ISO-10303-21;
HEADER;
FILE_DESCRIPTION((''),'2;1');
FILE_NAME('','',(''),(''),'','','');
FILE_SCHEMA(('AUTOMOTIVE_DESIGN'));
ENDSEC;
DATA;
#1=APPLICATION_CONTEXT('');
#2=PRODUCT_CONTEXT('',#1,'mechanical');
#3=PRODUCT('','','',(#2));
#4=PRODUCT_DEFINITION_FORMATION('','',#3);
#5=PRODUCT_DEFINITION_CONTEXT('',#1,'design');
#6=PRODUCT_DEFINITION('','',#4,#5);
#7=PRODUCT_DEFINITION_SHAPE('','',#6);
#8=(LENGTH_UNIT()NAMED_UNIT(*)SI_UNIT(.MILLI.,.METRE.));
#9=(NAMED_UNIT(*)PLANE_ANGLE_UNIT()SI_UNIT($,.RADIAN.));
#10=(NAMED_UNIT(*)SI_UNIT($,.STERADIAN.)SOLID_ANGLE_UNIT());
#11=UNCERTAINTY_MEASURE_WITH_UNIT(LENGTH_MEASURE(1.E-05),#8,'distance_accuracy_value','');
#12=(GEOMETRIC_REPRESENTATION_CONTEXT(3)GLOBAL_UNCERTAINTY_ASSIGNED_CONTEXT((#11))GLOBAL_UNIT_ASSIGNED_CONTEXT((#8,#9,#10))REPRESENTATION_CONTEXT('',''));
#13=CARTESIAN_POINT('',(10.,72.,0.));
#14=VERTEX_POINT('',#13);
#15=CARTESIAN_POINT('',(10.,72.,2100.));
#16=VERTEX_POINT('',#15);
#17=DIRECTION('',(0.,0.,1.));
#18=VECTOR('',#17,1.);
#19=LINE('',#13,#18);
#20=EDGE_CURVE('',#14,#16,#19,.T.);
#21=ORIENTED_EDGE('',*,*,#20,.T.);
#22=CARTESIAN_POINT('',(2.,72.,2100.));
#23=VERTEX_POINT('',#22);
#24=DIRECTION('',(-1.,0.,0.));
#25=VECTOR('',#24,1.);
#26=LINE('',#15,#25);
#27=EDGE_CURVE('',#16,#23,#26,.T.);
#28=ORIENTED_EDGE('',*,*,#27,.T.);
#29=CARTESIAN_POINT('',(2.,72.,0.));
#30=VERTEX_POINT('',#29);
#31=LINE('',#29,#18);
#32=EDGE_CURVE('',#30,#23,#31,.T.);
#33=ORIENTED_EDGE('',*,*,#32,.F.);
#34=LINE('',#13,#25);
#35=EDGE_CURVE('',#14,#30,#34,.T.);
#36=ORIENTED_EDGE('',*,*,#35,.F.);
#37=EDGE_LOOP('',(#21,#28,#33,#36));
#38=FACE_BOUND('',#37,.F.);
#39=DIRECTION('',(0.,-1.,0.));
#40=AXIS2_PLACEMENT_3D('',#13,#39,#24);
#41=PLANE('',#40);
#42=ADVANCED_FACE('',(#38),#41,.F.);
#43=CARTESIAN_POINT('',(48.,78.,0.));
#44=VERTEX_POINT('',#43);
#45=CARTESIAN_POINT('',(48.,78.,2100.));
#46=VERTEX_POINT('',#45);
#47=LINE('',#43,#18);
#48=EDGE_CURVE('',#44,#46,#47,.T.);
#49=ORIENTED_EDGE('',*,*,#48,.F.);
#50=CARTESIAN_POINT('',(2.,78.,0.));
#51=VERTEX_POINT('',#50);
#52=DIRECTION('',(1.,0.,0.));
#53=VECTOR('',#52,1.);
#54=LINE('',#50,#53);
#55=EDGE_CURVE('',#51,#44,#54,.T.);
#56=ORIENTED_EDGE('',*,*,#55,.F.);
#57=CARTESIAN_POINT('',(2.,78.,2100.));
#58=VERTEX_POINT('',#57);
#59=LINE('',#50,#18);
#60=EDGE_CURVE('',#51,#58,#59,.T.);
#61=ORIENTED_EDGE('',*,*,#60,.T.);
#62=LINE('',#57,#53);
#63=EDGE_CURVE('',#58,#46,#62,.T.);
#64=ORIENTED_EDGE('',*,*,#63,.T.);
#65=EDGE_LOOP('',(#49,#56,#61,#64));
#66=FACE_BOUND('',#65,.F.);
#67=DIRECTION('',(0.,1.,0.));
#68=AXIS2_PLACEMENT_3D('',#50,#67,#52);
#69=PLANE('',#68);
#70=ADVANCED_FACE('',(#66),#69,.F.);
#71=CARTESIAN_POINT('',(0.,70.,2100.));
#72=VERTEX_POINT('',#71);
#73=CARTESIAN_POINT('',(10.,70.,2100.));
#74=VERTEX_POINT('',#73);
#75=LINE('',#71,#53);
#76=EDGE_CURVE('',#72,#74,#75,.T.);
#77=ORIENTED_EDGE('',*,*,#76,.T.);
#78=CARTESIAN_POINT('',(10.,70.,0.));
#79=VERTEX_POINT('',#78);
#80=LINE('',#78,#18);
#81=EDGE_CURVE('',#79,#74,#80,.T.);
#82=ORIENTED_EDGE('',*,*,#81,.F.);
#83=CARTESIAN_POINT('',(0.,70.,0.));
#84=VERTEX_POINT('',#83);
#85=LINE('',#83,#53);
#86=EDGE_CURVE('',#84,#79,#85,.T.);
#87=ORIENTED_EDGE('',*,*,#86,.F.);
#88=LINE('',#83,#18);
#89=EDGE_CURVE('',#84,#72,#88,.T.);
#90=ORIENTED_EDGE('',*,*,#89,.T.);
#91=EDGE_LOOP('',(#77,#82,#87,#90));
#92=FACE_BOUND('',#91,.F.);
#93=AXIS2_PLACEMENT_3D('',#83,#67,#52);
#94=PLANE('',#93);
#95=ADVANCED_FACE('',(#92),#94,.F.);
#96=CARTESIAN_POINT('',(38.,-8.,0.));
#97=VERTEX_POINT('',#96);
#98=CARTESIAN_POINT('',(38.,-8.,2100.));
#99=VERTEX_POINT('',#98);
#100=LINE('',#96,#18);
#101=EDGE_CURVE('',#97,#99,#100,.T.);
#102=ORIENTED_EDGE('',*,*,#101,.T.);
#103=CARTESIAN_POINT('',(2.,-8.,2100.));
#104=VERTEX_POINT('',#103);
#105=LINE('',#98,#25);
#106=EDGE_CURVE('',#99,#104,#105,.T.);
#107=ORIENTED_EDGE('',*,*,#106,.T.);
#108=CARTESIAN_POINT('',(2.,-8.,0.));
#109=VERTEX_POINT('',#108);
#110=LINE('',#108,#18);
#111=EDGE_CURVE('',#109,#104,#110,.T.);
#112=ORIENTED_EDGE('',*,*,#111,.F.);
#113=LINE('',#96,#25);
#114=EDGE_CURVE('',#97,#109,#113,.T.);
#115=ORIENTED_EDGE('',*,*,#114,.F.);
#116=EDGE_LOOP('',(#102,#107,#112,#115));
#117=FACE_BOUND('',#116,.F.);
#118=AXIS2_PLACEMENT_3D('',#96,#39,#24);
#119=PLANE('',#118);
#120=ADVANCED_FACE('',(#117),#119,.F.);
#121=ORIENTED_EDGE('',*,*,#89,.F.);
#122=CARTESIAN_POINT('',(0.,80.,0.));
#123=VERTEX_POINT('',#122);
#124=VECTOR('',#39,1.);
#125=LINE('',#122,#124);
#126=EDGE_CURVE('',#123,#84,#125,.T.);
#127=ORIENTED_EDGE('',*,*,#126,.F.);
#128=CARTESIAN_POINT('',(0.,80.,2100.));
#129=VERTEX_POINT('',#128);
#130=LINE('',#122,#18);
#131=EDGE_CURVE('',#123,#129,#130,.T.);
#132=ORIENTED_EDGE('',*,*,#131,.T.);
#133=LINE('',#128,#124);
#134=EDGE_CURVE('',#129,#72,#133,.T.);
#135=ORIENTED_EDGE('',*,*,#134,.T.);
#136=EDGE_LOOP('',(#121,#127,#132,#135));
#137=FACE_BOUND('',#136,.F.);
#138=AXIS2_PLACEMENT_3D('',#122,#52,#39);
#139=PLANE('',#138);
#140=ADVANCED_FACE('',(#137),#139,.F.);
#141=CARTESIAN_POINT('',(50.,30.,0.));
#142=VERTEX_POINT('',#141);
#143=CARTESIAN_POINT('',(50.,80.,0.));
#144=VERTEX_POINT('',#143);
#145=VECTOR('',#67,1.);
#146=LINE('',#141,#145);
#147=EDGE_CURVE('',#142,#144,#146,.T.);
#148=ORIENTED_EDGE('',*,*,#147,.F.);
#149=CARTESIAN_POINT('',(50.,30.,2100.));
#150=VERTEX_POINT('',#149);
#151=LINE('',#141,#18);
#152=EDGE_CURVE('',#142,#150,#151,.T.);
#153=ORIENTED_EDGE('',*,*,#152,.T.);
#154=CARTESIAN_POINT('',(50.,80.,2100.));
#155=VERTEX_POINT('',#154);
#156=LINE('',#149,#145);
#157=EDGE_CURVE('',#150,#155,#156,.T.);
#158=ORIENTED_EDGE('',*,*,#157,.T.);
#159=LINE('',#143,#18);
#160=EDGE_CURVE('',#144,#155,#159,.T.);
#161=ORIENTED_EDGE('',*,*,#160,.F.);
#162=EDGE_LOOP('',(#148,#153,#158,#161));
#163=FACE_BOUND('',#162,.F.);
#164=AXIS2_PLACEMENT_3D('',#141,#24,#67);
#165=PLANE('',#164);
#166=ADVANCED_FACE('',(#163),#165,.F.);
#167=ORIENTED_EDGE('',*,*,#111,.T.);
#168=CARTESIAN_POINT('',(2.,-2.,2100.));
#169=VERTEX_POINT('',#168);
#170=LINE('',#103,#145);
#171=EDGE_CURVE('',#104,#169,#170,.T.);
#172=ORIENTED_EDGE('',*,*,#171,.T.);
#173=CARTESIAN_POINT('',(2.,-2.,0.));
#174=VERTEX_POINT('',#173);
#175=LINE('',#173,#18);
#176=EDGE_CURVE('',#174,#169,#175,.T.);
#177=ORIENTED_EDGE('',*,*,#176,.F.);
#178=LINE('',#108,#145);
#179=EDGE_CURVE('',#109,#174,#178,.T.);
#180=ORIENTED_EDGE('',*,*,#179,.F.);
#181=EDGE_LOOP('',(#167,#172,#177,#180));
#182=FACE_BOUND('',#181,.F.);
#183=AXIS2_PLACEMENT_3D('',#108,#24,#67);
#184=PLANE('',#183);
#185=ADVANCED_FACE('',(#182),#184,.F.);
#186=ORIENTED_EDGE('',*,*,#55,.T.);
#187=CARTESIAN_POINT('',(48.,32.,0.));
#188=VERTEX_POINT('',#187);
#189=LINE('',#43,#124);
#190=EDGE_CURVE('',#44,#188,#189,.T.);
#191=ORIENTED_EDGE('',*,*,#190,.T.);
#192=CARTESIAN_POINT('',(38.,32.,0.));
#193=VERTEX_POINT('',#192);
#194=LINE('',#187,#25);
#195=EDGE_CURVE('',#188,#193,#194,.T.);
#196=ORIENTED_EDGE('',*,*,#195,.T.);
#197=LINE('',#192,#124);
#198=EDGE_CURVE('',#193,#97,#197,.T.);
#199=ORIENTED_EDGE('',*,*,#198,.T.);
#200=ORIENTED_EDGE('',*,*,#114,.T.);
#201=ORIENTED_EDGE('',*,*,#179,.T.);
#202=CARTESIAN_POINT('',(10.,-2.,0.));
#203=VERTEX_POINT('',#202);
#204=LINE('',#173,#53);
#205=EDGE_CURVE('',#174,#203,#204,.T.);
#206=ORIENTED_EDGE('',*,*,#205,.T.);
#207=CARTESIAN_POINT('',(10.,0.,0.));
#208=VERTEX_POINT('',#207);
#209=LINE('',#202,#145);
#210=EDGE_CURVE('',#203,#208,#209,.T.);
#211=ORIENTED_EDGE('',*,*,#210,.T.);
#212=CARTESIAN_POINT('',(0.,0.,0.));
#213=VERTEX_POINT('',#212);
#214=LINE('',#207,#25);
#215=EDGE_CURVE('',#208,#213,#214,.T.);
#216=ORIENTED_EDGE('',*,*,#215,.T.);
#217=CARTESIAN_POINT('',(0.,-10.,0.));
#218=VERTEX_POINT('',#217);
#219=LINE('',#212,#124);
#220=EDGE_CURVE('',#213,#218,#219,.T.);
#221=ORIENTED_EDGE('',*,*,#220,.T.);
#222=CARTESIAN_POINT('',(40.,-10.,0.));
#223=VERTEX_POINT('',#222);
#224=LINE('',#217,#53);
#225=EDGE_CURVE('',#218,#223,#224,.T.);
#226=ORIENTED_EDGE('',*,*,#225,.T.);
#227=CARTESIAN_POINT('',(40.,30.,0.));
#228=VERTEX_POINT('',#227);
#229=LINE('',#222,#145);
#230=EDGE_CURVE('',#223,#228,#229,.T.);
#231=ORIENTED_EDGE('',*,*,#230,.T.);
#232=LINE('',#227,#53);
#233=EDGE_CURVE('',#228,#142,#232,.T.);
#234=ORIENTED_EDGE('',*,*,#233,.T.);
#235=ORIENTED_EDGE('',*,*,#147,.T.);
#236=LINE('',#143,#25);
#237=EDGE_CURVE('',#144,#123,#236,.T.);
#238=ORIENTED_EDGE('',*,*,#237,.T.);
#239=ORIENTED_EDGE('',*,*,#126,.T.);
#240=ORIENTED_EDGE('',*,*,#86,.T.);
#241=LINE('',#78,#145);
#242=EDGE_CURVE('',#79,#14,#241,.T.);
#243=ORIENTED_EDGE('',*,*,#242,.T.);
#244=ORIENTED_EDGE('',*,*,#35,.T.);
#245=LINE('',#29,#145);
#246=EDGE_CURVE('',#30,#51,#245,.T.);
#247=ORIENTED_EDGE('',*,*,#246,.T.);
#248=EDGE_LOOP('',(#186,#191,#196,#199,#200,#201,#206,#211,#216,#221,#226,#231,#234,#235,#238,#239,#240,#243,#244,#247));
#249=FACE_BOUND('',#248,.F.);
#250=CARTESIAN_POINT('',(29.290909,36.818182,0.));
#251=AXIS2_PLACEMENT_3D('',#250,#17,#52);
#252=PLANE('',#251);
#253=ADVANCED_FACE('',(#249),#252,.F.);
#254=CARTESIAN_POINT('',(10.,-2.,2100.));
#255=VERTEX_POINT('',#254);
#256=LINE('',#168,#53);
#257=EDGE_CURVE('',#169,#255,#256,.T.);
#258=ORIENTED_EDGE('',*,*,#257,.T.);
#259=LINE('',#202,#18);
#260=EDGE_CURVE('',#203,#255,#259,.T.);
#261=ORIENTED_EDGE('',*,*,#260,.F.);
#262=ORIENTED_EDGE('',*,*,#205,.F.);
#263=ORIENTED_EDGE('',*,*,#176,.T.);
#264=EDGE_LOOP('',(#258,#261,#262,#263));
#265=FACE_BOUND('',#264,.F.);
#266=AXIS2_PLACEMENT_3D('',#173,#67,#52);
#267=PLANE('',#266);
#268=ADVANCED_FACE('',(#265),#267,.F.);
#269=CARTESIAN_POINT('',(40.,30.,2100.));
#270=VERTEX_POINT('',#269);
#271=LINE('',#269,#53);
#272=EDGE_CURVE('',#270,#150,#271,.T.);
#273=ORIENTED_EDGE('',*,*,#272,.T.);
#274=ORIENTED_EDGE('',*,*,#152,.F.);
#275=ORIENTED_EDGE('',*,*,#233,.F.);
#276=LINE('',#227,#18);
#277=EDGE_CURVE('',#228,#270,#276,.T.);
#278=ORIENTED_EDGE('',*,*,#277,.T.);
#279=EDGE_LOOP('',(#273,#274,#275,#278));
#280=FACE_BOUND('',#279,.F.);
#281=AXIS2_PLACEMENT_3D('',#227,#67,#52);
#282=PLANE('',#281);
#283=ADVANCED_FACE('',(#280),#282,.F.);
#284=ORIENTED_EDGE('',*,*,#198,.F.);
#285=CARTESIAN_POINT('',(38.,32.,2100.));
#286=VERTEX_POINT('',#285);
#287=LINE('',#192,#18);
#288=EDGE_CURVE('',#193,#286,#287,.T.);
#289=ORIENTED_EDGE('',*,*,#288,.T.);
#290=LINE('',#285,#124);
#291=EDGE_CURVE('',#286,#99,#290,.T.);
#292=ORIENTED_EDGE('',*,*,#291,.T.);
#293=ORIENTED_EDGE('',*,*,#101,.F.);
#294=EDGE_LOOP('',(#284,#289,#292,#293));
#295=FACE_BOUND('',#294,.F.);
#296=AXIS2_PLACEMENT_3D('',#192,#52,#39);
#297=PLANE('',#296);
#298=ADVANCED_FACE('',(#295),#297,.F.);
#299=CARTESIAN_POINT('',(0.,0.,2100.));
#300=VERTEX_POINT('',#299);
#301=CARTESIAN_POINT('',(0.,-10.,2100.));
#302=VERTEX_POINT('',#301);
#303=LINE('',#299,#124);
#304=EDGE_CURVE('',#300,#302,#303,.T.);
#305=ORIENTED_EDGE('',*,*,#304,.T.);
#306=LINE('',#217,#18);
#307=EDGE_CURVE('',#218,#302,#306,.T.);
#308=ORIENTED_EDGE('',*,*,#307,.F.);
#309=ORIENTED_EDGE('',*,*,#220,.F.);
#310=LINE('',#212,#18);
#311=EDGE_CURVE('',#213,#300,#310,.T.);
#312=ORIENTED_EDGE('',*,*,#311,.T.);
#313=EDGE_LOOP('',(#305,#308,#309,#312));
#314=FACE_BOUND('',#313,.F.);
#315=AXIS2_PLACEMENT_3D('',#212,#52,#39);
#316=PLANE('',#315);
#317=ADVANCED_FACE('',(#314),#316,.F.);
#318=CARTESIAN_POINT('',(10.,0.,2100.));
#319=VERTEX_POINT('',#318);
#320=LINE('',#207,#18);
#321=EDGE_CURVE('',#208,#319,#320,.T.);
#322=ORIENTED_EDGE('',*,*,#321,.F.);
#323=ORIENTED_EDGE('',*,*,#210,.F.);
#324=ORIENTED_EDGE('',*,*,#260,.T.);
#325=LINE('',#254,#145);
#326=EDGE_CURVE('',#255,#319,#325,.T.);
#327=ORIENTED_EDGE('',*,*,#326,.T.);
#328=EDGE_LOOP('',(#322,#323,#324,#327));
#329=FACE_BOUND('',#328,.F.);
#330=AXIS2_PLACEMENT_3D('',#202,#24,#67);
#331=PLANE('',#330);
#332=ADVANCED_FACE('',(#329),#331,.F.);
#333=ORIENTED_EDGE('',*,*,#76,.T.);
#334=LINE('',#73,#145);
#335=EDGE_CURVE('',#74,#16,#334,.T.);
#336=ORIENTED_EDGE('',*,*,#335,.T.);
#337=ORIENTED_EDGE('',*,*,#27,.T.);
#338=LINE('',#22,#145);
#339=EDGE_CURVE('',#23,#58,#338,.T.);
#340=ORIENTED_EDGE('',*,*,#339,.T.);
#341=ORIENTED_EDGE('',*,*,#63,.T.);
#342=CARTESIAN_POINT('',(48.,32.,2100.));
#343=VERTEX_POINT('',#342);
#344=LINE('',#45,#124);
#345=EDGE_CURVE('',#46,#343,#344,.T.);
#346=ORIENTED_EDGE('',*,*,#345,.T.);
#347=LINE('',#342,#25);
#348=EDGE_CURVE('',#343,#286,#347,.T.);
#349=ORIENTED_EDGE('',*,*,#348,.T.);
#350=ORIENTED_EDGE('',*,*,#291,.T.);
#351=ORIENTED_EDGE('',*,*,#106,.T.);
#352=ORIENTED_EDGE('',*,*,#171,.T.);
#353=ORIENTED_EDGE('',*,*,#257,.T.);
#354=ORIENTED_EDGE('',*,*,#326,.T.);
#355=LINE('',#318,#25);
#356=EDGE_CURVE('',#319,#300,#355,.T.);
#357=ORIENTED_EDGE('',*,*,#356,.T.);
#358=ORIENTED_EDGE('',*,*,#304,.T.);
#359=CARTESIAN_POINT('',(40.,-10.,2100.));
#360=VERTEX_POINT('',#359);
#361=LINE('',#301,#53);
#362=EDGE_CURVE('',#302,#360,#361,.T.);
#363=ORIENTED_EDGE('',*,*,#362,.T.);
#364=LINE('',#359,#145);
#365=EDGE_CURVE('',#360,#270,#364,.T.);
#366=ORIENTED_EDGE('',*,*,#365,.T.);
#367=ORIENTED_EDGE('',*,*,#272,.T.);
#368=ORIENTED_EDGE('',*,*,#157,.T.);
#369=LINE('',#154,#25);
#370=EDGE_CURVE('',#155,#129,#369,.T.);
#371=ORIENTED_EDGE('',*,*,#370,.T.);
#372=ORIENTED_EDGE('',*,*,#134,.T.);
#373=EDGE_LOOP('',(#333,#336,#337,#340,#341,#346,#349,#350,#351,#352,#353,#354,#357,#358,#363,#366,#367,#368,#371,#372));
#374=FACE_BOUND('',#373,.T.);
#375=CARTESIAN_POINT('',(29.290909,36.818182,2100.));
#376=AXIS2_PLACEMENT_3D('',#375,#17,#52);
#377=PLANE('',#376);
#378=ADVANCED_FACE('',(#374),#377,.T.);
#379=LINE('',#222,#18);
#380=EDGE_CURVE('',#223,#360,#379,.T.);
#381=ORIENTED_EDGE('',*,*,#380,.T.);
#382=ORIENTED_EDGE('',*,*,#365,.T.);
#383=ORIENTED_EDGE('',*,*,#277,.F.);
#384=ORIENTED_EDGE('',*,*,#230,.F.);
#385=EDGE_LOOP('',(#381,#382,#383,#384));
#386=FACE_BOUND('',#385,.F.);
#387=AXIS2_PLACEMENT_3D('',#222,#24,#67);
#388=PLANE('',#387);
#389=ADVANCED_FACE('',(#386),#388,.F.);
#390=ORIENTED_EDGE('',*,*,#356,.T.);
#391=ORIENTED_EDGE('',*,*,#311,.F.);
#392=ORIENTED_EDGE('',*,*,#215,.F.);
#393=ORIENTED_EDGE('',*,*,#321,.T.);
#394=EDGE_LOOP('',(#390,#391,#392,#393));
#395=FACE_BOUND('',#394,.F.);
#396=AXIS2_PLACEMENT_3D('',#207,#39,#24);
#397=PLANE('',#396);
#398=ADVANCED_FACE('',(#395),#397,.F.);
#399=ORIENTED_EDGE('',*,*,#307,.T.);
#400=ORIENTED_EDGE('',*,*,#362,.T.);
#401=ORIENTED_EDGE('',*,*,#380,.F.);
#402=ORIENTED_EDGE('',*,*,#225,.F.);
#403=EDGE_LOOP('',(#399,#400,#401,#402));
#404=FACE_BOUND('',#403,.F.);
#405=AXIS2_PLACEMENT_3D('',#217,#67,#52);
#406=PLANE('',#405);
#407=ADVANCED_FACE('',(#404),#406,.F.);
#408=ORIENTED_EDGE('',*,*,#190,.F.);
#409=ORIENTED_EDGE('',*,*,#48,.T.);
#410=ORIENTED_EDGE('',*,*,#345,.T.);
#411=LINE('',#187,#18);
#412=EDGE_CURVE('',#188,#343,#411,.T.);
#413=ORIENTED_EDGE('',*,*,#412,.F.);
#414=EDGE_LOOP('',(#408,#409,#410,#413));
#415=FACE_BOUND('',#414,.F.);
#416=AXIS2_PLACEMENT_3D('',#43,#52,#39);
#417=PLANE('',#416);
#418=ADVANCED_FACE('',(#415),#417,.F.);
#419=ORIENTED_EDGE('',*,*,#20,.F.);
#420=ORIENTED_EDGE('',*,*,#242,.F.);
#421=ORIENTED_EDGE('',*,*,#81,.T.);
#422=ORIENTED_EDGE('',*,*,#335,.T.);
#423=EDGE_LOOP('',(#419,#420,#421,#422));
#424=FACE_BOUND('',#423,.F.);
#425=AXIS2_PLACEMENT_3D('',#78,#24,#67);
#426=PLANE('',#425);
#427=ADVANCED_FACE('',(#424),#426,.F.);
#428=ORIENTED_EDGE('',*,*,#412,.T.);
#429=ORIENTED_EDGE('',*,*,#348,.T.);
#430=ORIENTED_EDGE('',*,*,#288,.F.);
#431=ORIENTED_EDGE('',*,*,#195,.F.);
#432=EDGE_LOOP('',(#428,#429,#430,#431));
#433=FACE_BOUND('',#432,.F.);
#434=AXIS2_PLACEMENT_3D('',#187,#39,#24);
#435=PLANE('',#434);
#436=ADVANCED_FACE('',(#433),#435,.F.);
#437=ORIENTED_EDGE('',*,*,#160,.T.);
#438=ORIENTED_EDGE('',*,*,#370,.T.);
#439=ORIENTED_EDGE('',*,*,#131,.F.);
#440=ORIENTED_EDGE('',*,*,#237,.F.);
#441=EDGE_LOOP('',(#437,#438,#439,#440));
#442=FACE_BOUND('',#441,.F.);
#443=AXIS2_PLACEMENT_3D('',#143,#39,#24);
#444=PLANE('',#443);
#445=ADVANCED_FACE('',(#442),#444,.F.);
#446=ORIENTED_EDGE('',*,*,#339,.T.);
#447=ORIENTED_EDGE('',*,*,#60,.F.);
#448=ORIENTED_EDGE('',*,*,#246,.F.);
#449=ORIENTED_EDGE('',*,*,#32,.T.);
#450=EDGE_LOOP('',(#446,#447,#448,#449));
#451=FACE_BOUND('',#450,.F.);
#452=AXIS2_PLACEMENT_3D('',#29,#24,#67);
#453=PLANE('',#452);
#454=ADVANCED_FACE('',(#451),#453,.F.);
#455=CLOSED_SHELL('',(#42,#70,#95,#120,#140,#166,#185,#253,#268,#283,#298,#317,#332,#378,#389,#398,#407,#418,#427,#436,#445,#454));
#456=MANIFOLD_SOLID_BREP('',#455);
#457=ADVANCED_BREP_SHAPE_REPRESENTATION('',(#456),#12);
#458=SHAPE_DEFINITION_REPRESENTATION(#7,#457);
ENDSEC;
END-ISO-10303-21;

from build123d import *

# Parameters (mm, degrees)
F1_DEPTH = 2100


with BuildPart() as f1:
    # F0 (on Top) → F1 (new body)
    with BuildSketch(Plane.XY):
        Polygon((10, 0), (0, 0), (0, -10), (40, -10), (40, 30), (50, 30), (50, 80), (0, 80), (0, 70), (10, 70), (10, 72), (2, 72), (2, 78), (48, 78), (48, 32), (38, 32), (38, -8), (2, -8), (2, -2), (10, -2), align=None)
    extrude(amount=F1_DEPTH)


solid = f1.part
